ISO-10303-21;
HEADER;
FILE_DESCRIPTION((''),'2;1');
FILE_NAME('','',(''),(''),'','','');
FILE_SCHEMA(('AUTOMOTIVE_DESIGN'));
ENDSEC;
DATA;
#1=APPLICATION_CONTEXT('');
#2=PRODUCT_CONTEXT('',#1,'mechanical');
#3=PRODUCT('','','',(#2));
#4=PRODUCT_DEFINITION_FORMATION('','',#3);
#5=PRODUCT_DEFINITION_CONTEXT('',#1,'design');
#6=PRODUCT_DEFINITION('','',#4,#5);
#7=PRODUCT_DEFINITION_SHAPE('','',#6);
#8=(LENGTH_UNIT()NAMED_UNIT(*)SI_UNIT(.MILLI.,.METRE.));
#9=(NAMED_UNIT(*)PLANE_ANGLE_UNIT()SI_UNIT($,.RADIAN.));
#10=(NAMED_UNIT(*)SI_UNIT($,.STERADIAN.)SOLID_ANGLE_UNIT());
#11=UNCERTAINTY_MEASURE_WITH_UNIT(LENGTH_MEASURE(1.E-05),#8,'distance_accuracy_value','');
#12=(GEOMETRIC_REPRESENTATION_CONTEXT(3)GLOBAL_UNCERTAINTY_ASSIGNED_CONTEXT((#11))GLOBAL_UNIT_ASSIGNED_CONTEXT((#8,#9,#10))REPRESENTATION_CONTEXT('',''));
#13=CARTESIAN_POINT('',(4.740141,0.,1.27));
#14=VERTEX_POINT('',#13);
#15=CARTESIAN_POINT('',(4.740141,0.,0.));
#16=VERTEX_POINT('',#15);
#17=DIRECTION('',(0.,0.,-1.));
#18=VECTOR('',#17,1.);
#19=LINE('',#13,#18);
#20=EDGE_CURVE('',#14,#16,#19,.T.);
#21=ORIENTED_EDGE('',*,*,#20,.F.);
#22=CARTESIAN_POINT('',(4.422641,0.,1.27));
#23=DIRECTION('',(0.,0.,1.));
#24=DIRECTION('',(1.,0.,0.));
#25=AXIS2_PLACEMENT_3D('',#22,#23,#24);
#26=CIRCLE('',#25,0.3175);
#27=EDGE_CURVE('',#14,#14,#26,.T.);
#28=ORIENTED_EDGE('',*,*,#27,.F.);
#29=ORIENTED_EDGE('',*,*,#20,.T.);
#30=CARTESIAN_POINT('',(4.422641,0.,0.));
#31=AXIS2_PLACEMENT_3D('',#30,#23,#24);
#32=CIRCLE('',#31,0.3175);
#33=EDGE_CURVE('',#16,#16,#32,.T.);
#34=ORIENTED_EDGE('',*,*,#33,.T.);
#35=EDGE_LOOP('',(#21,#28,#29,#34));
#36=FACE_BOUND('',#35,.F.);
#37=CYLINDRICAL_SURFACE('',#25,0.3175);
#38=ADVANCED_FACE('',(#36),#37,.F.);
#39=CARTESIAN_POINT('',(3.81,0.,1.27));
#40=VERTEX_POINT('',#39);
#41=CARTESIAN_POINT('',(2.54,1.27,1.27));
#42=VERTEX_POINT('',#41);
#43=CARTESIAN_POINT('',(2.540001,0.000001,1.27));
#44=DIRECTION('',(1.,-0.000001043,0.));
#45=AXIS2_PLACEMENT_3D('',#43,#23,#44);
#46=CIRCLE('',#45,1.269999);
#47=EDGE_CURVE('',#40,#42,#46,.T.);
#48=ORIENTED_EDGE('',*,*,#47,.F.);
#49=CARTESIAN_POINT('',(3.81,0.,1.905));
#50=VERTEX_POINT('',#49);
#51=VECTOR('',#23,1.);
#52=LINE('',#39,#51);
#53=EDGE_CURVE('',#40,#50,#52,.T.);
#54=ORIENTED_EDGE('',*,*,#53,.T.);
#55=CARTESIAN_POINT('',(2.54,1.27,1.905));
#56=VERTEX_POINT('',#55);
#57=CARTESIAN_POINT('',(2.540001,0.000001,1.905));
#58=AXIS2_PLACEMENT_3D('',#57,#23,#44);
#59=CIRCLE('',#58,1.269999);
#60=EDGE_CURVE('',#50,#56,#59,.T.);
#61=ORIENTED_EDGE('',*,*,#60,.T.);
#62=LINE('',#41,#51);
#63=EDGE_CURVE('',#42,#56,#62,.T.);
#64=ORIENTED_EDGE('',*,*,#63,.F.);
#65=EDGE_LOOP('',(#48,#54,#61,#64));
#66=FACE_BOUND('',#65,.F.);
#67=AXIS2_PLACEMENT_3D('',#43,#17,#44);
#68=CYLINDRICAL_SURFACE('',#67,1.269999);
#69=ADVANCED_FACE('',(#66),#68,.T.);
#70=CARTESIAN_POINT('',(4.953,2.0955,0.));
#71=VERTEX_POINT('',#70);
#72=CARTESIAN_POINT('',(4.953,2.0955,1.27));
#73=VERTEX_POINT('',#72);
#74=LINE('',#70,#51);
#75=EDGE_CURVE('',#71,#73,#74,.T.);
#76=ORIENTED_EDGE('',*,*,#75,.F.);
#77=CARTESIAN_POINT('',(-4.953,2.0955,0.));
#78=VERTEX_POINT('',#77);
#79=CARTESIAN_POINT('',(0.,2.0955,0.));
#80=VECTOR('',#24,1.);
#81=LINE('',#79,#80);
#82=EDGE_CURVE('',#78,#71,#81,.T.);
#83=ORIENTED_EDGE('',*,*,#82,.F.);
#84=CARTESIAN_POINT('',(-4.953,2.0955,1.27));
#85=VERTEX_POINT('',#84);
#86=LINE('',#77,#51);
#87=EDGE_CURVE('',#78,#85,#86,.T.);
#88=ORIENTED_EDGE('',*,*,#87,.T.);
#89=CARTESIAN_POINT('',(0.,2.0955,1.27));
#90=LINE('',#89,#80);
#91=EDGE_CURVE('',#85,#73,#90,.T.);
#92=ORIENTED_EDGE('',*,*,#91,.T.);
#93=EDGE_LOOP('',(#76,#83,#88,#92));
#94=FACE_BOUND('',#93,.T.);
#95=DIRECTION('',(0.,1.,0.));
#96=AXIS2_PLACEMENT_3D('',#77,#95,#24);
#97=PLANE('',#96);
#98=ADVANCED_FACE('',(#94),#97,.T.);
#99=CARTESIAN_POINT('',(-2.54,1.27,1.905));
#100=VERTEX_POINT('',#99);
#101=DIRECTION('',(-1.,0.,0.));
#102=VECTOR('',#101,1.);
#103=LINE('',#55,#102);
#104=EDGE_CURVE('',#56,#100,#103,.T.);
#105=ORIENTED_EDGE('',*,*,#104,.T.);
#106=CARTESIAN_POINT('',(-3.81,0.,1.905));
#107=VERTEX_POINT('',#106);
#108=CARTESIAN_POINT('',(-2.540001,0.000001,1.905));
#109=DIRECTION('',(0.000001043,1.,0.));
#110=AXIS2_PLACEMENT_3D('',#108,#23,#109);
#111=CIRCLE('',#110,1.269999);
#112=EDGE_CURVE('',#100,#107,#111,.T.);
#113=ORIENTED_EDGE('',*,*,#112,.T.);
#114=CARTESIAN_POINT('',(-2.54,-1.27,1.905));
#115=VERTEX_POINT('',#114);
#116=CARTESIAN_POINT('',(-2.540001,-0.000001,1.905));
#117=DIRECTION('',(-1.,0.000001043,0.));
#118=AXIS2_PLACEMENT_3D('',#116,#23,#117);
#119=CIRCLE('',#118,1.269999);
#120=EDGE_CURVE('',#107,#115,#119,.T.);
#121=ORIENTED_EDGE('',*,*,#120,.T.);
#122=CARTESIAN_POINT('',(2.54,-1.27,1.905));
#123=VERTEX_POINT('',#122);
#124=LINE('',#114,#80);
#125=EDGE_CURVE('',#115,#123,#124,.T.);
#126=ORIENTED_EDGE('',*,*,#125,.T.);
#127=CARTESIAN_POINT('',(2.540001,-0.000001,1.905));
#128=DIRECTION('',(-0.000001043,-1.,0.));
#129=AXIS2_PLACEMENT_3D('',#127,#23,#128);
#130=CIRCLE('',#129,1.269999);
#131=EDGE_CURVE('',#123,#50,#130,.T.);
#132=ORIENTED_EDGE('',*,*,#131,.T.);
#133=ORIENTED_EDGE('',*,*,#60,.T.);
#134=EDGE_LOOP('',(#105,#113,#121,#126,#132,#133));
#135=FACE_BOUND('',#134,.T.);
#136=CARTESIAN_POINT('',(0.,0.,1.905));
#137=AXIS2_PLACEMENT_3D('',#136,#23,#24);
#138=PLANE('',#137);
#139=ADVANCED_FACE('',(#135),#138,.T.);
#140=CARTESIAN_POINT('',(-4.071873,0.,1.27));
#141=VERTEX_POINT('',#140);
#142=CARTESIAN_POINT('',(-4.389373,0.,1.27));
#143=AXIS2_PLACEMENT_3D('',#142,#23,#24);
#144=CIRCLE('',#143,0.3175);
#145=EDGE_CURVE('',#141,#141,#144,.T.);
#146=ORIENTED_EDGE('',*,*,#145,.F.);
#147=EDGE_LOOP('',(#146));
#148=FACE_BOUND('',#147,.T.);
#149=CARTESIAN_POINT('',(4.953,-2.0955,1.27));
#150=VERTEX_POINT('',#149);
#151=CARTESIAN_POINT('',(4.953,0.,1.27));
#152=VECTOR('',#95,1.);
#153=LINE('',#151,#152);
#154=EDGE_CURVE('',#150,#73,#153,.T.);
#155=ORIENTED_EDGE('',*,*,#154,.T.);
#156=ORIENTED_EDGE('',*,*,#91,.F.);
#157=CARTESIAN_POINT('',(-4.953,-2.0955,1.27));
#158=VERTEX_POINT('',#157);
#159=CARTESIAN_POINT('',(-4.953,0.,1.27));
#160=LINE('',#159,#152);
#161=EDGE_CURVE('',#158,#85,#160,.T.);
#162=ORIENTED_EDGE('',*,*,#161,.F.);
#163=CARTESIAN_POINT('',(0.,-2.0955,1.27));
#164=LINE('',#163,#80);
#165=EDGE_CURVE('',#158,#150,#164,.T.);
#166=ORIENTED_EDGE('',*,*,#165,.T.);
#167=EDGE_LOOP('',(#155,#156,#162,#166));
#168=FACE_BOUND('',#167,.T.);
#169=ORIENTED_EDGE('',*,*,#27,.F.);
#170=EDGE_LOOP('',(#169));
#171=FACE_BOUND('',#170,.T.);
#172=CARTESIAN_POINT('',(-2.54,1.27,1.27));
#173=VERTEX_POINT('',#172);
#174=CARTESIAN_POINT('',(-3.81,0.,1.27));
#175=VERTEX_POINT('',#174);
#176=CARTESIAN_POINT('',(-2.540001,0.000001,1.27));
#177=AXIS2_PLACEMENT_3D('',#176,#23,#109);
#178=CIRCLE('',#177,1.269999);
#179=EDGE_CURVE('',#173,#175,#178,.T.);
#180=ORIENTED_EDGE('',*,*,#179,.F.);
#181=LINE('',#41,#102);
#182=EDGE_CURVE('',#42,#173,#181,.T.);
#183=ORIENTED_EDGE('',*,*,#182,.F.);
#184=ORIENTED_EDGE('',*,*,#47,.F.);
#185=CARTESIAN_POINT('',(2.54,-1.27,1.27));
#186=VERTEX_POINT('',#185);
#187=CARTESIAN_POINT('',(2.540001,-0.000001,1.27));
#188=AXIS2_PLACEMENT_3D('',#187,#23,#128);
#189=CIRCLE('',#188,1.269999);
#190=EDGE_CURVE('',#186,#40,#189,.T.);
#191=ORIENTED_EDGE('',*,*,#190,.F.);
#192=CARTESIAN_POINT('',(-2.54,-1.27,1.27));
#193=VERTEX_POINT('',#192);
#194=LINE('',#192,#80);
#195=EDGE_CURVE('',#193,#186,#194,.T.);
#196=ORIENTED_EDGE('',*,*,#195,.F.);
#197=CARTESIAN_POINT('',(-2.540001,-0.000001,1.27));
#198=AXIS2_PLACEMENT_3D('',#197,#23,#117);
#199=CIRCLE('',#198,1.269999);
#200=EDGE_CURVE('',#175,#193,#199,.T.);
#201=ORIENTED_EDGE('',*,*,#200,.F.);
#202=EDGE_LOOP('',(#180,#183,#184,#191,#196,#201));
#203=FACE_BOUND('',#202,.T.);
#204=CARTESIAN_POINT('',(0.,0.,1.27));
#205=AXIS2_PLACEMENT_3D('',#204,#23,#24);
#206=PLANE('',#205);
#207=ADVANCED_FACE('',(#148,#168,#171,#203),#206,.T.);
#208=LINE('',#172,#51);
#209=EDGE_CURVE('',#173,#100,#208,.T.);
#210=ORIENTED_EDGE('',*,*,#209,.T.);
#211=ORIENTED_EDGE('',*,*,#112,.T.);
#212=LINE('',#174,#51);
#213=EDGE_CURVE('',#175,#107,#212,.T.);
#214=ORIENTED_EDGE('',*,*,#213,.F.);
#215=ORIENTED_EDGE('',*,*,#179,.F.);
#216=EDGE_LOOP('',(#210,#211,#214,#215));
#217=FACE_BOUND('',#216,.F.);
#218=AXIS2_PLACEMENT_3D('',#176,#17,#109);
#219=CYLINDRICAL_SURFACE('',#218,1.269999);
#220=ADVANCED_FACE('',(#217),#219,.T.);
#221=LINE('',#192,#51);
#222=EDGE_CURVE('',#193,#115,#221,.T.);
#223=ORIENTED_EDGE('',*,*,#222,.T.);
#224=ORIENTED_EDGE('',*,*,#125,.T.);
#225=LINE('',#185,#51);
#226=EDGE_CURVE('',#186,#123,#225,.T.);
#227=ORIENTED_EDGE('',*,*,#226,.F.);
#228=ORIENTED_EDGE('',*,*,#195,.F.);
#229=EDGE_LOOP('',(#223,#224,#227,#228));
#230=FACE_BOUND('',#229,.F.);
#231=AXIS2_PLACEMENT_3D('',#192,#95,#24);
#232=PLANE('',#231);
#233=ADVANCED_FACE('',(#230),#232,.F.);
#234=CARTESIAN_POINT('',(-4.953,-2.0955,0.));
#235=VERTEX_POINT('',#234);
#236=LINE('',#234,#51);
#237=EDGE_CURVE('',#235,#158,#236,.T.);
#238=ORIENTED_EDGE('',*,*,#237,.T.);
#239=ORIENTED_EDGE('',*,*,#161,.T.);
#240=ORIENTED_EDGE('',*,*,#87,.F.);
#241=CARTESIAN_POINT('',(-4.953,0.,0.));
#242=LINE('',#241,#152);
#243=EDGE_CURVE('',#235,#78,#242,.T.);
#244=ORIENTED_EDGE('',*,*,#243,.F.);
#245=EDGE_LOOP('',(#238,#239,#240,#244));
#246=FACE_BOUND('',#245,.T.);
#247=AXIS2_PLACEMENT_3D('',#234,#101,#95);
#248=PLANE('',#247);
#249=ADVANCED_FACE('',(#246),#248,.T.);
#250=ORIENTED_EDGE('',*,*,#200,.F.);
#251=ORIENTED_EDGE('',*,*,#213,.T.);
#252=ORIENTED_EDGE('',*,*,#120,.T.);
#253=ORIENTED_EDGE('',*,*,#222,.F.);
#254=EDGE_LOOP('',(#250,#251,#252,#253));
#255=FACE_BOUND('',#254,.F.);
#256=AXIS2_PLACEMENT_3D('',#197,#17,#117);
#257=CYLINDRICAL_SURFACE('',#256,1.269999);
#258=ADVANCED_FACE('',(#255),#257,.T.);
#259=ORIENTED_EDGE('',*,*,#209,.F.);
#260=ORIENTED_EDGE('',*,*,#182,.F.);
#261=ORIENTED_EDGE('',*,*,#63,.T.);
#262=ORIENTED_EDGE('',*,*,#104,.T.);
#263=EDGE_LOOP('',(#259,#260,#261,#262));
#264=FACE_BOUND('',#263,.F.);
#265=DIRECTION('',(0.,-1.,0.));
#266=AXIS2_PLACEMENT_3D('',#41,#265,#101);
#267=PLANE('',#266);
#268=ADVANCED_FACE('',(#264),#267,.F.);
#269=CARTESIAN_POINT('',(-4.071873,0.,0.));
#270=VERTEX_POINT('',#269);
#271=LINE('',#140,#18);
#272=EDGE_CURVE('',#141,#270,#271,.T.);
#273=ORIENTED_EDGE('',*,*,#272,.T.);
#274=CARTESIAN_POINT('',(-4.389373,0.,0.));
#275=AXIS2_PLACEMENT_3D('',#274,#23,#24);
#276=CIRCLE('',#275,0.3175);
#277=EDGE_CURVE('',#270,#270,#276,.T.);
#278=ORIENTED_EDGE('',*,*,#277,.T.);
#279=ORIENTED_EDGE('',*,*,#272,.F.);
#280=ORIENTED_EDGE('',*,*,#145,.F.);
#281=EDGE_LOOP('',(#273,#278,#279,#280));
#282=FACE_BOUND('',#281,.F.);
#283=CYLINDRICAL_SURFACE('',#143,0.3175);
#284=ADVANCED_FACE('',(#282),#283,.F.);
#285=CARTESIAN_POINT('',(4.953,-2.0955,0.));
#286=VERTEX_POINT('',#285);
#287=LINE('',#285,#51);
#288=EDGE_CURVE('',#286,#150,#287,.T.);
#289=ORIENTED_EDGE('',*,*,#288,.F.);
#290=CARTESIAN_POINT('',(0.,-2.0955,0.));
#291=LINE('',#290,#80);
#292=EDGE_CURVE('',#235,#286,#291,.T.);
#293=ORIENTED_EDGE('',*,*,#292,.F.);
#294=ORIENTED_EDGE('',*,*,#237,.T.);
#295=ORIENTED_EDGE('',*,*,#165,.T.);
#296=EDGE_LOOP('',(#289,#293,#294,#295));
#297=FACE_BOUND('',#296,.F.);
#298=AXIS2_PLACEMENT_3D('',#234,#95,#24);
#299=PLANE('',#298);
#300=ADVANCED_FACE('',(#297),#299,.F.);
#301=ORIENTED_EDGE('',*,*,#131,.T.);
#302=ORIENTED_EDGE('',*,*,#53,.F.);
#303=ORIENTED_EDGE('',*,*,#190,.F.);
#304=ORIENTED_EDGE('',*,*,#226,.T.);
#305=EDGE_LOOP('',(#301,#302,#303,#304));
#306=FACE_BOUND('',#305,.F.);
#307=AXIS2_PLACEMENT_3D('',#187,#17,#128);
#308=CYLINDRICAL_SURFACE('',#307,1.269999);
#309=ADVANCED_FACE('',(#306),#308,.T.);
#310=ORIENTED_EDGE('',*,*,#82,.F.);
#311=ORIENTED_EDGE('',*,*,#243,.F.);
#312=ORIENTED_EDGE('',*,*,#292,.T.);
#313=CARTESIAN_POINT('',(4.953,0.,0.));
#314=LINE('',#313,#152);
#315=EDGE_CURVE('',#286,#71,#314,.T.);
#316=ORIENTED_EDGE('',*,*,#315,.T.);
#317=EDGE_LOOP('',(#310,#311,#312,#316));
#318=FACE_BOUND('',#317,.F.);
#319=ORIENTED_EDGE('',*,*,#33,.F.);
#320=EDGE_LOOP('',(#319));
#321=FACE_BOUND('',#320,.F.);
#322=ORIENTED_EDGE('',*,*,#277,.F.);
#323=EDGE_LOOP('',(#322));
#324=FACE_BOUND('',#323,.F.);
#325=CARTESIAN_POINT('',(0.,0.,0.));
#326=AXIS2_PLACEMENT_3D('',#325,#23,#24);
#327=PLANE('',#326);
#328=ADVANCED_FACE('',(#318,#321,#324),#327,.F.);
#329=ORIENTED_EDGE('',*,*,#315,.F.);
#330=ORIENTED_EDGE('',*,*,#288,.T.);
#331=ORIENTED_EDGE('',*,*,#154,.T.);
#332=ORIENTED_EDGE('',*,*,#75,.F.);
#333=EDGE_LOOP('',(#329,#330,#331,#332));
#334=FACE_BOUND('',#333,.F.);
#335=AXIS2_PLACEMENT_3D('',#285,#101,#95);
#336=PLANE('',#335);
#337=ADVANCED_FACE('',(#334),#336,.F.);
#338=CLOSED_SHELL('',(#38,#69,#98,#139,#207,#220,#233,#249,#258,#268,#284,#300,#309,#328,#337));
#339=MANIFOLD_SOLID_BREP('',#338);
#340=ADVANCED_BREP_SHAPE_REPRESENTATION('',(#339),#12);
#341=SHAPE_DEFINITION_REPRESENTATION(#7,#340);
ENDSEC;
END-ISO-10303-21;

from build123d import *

# Parameters (mm, degrees)
F0_W     = 9.906
F0_H     = 4.191
F1_DEPTH = 1.27
F3_DEPTH = 0.635
F4_R     = 0.3175
F5_DEPTH = 25.4


with BuildPart() as f1:
    # F0 (on Top) → F1 (new body)
    with BuildSketch(Plane.XY):
        Rectangle(F0_W, F0_H)
    extrude(amount=F1_DEPTH)

    # F2 (on face) → F3 (join)
    with BuildSketch(Plane.XY.offset(1.27)):
        with BuildLine():
            ThreePointArc((3.81, 0), (3.438026, 0.898026), (2.54, 1.27))
            Line((2.54, 1.27), (-2.54, 1.27))
            ThreePointArc((-2.54, 1.27), (-3.438026, 0.898026), (-3.81, 0))
            ThreePointArc((-3.81, 0), (-3.438026, -0.898026), (-2.54, -1.27))
            Line((-2.54, -1.27), (2.54, -1.27))
            ThreePointArc((2.54, -1.27), (3.438026, -0.898026), (3.81, 0))
        make_face()
    extrude(amount=F3_DEPTH)

    # F4 (on face) → F5 (cut)
    with BuildSketch(Plane.XY.offset(1.27)):
        with Locations((4.422641, 0)):
            Circle(F4_R)
        with Locations((-4.389373, 0)):
            Circle(F4_R)
    extrude(amount=-F5_DEPTH, mode=Mode.SUBTRACT)


solid = f1.part
